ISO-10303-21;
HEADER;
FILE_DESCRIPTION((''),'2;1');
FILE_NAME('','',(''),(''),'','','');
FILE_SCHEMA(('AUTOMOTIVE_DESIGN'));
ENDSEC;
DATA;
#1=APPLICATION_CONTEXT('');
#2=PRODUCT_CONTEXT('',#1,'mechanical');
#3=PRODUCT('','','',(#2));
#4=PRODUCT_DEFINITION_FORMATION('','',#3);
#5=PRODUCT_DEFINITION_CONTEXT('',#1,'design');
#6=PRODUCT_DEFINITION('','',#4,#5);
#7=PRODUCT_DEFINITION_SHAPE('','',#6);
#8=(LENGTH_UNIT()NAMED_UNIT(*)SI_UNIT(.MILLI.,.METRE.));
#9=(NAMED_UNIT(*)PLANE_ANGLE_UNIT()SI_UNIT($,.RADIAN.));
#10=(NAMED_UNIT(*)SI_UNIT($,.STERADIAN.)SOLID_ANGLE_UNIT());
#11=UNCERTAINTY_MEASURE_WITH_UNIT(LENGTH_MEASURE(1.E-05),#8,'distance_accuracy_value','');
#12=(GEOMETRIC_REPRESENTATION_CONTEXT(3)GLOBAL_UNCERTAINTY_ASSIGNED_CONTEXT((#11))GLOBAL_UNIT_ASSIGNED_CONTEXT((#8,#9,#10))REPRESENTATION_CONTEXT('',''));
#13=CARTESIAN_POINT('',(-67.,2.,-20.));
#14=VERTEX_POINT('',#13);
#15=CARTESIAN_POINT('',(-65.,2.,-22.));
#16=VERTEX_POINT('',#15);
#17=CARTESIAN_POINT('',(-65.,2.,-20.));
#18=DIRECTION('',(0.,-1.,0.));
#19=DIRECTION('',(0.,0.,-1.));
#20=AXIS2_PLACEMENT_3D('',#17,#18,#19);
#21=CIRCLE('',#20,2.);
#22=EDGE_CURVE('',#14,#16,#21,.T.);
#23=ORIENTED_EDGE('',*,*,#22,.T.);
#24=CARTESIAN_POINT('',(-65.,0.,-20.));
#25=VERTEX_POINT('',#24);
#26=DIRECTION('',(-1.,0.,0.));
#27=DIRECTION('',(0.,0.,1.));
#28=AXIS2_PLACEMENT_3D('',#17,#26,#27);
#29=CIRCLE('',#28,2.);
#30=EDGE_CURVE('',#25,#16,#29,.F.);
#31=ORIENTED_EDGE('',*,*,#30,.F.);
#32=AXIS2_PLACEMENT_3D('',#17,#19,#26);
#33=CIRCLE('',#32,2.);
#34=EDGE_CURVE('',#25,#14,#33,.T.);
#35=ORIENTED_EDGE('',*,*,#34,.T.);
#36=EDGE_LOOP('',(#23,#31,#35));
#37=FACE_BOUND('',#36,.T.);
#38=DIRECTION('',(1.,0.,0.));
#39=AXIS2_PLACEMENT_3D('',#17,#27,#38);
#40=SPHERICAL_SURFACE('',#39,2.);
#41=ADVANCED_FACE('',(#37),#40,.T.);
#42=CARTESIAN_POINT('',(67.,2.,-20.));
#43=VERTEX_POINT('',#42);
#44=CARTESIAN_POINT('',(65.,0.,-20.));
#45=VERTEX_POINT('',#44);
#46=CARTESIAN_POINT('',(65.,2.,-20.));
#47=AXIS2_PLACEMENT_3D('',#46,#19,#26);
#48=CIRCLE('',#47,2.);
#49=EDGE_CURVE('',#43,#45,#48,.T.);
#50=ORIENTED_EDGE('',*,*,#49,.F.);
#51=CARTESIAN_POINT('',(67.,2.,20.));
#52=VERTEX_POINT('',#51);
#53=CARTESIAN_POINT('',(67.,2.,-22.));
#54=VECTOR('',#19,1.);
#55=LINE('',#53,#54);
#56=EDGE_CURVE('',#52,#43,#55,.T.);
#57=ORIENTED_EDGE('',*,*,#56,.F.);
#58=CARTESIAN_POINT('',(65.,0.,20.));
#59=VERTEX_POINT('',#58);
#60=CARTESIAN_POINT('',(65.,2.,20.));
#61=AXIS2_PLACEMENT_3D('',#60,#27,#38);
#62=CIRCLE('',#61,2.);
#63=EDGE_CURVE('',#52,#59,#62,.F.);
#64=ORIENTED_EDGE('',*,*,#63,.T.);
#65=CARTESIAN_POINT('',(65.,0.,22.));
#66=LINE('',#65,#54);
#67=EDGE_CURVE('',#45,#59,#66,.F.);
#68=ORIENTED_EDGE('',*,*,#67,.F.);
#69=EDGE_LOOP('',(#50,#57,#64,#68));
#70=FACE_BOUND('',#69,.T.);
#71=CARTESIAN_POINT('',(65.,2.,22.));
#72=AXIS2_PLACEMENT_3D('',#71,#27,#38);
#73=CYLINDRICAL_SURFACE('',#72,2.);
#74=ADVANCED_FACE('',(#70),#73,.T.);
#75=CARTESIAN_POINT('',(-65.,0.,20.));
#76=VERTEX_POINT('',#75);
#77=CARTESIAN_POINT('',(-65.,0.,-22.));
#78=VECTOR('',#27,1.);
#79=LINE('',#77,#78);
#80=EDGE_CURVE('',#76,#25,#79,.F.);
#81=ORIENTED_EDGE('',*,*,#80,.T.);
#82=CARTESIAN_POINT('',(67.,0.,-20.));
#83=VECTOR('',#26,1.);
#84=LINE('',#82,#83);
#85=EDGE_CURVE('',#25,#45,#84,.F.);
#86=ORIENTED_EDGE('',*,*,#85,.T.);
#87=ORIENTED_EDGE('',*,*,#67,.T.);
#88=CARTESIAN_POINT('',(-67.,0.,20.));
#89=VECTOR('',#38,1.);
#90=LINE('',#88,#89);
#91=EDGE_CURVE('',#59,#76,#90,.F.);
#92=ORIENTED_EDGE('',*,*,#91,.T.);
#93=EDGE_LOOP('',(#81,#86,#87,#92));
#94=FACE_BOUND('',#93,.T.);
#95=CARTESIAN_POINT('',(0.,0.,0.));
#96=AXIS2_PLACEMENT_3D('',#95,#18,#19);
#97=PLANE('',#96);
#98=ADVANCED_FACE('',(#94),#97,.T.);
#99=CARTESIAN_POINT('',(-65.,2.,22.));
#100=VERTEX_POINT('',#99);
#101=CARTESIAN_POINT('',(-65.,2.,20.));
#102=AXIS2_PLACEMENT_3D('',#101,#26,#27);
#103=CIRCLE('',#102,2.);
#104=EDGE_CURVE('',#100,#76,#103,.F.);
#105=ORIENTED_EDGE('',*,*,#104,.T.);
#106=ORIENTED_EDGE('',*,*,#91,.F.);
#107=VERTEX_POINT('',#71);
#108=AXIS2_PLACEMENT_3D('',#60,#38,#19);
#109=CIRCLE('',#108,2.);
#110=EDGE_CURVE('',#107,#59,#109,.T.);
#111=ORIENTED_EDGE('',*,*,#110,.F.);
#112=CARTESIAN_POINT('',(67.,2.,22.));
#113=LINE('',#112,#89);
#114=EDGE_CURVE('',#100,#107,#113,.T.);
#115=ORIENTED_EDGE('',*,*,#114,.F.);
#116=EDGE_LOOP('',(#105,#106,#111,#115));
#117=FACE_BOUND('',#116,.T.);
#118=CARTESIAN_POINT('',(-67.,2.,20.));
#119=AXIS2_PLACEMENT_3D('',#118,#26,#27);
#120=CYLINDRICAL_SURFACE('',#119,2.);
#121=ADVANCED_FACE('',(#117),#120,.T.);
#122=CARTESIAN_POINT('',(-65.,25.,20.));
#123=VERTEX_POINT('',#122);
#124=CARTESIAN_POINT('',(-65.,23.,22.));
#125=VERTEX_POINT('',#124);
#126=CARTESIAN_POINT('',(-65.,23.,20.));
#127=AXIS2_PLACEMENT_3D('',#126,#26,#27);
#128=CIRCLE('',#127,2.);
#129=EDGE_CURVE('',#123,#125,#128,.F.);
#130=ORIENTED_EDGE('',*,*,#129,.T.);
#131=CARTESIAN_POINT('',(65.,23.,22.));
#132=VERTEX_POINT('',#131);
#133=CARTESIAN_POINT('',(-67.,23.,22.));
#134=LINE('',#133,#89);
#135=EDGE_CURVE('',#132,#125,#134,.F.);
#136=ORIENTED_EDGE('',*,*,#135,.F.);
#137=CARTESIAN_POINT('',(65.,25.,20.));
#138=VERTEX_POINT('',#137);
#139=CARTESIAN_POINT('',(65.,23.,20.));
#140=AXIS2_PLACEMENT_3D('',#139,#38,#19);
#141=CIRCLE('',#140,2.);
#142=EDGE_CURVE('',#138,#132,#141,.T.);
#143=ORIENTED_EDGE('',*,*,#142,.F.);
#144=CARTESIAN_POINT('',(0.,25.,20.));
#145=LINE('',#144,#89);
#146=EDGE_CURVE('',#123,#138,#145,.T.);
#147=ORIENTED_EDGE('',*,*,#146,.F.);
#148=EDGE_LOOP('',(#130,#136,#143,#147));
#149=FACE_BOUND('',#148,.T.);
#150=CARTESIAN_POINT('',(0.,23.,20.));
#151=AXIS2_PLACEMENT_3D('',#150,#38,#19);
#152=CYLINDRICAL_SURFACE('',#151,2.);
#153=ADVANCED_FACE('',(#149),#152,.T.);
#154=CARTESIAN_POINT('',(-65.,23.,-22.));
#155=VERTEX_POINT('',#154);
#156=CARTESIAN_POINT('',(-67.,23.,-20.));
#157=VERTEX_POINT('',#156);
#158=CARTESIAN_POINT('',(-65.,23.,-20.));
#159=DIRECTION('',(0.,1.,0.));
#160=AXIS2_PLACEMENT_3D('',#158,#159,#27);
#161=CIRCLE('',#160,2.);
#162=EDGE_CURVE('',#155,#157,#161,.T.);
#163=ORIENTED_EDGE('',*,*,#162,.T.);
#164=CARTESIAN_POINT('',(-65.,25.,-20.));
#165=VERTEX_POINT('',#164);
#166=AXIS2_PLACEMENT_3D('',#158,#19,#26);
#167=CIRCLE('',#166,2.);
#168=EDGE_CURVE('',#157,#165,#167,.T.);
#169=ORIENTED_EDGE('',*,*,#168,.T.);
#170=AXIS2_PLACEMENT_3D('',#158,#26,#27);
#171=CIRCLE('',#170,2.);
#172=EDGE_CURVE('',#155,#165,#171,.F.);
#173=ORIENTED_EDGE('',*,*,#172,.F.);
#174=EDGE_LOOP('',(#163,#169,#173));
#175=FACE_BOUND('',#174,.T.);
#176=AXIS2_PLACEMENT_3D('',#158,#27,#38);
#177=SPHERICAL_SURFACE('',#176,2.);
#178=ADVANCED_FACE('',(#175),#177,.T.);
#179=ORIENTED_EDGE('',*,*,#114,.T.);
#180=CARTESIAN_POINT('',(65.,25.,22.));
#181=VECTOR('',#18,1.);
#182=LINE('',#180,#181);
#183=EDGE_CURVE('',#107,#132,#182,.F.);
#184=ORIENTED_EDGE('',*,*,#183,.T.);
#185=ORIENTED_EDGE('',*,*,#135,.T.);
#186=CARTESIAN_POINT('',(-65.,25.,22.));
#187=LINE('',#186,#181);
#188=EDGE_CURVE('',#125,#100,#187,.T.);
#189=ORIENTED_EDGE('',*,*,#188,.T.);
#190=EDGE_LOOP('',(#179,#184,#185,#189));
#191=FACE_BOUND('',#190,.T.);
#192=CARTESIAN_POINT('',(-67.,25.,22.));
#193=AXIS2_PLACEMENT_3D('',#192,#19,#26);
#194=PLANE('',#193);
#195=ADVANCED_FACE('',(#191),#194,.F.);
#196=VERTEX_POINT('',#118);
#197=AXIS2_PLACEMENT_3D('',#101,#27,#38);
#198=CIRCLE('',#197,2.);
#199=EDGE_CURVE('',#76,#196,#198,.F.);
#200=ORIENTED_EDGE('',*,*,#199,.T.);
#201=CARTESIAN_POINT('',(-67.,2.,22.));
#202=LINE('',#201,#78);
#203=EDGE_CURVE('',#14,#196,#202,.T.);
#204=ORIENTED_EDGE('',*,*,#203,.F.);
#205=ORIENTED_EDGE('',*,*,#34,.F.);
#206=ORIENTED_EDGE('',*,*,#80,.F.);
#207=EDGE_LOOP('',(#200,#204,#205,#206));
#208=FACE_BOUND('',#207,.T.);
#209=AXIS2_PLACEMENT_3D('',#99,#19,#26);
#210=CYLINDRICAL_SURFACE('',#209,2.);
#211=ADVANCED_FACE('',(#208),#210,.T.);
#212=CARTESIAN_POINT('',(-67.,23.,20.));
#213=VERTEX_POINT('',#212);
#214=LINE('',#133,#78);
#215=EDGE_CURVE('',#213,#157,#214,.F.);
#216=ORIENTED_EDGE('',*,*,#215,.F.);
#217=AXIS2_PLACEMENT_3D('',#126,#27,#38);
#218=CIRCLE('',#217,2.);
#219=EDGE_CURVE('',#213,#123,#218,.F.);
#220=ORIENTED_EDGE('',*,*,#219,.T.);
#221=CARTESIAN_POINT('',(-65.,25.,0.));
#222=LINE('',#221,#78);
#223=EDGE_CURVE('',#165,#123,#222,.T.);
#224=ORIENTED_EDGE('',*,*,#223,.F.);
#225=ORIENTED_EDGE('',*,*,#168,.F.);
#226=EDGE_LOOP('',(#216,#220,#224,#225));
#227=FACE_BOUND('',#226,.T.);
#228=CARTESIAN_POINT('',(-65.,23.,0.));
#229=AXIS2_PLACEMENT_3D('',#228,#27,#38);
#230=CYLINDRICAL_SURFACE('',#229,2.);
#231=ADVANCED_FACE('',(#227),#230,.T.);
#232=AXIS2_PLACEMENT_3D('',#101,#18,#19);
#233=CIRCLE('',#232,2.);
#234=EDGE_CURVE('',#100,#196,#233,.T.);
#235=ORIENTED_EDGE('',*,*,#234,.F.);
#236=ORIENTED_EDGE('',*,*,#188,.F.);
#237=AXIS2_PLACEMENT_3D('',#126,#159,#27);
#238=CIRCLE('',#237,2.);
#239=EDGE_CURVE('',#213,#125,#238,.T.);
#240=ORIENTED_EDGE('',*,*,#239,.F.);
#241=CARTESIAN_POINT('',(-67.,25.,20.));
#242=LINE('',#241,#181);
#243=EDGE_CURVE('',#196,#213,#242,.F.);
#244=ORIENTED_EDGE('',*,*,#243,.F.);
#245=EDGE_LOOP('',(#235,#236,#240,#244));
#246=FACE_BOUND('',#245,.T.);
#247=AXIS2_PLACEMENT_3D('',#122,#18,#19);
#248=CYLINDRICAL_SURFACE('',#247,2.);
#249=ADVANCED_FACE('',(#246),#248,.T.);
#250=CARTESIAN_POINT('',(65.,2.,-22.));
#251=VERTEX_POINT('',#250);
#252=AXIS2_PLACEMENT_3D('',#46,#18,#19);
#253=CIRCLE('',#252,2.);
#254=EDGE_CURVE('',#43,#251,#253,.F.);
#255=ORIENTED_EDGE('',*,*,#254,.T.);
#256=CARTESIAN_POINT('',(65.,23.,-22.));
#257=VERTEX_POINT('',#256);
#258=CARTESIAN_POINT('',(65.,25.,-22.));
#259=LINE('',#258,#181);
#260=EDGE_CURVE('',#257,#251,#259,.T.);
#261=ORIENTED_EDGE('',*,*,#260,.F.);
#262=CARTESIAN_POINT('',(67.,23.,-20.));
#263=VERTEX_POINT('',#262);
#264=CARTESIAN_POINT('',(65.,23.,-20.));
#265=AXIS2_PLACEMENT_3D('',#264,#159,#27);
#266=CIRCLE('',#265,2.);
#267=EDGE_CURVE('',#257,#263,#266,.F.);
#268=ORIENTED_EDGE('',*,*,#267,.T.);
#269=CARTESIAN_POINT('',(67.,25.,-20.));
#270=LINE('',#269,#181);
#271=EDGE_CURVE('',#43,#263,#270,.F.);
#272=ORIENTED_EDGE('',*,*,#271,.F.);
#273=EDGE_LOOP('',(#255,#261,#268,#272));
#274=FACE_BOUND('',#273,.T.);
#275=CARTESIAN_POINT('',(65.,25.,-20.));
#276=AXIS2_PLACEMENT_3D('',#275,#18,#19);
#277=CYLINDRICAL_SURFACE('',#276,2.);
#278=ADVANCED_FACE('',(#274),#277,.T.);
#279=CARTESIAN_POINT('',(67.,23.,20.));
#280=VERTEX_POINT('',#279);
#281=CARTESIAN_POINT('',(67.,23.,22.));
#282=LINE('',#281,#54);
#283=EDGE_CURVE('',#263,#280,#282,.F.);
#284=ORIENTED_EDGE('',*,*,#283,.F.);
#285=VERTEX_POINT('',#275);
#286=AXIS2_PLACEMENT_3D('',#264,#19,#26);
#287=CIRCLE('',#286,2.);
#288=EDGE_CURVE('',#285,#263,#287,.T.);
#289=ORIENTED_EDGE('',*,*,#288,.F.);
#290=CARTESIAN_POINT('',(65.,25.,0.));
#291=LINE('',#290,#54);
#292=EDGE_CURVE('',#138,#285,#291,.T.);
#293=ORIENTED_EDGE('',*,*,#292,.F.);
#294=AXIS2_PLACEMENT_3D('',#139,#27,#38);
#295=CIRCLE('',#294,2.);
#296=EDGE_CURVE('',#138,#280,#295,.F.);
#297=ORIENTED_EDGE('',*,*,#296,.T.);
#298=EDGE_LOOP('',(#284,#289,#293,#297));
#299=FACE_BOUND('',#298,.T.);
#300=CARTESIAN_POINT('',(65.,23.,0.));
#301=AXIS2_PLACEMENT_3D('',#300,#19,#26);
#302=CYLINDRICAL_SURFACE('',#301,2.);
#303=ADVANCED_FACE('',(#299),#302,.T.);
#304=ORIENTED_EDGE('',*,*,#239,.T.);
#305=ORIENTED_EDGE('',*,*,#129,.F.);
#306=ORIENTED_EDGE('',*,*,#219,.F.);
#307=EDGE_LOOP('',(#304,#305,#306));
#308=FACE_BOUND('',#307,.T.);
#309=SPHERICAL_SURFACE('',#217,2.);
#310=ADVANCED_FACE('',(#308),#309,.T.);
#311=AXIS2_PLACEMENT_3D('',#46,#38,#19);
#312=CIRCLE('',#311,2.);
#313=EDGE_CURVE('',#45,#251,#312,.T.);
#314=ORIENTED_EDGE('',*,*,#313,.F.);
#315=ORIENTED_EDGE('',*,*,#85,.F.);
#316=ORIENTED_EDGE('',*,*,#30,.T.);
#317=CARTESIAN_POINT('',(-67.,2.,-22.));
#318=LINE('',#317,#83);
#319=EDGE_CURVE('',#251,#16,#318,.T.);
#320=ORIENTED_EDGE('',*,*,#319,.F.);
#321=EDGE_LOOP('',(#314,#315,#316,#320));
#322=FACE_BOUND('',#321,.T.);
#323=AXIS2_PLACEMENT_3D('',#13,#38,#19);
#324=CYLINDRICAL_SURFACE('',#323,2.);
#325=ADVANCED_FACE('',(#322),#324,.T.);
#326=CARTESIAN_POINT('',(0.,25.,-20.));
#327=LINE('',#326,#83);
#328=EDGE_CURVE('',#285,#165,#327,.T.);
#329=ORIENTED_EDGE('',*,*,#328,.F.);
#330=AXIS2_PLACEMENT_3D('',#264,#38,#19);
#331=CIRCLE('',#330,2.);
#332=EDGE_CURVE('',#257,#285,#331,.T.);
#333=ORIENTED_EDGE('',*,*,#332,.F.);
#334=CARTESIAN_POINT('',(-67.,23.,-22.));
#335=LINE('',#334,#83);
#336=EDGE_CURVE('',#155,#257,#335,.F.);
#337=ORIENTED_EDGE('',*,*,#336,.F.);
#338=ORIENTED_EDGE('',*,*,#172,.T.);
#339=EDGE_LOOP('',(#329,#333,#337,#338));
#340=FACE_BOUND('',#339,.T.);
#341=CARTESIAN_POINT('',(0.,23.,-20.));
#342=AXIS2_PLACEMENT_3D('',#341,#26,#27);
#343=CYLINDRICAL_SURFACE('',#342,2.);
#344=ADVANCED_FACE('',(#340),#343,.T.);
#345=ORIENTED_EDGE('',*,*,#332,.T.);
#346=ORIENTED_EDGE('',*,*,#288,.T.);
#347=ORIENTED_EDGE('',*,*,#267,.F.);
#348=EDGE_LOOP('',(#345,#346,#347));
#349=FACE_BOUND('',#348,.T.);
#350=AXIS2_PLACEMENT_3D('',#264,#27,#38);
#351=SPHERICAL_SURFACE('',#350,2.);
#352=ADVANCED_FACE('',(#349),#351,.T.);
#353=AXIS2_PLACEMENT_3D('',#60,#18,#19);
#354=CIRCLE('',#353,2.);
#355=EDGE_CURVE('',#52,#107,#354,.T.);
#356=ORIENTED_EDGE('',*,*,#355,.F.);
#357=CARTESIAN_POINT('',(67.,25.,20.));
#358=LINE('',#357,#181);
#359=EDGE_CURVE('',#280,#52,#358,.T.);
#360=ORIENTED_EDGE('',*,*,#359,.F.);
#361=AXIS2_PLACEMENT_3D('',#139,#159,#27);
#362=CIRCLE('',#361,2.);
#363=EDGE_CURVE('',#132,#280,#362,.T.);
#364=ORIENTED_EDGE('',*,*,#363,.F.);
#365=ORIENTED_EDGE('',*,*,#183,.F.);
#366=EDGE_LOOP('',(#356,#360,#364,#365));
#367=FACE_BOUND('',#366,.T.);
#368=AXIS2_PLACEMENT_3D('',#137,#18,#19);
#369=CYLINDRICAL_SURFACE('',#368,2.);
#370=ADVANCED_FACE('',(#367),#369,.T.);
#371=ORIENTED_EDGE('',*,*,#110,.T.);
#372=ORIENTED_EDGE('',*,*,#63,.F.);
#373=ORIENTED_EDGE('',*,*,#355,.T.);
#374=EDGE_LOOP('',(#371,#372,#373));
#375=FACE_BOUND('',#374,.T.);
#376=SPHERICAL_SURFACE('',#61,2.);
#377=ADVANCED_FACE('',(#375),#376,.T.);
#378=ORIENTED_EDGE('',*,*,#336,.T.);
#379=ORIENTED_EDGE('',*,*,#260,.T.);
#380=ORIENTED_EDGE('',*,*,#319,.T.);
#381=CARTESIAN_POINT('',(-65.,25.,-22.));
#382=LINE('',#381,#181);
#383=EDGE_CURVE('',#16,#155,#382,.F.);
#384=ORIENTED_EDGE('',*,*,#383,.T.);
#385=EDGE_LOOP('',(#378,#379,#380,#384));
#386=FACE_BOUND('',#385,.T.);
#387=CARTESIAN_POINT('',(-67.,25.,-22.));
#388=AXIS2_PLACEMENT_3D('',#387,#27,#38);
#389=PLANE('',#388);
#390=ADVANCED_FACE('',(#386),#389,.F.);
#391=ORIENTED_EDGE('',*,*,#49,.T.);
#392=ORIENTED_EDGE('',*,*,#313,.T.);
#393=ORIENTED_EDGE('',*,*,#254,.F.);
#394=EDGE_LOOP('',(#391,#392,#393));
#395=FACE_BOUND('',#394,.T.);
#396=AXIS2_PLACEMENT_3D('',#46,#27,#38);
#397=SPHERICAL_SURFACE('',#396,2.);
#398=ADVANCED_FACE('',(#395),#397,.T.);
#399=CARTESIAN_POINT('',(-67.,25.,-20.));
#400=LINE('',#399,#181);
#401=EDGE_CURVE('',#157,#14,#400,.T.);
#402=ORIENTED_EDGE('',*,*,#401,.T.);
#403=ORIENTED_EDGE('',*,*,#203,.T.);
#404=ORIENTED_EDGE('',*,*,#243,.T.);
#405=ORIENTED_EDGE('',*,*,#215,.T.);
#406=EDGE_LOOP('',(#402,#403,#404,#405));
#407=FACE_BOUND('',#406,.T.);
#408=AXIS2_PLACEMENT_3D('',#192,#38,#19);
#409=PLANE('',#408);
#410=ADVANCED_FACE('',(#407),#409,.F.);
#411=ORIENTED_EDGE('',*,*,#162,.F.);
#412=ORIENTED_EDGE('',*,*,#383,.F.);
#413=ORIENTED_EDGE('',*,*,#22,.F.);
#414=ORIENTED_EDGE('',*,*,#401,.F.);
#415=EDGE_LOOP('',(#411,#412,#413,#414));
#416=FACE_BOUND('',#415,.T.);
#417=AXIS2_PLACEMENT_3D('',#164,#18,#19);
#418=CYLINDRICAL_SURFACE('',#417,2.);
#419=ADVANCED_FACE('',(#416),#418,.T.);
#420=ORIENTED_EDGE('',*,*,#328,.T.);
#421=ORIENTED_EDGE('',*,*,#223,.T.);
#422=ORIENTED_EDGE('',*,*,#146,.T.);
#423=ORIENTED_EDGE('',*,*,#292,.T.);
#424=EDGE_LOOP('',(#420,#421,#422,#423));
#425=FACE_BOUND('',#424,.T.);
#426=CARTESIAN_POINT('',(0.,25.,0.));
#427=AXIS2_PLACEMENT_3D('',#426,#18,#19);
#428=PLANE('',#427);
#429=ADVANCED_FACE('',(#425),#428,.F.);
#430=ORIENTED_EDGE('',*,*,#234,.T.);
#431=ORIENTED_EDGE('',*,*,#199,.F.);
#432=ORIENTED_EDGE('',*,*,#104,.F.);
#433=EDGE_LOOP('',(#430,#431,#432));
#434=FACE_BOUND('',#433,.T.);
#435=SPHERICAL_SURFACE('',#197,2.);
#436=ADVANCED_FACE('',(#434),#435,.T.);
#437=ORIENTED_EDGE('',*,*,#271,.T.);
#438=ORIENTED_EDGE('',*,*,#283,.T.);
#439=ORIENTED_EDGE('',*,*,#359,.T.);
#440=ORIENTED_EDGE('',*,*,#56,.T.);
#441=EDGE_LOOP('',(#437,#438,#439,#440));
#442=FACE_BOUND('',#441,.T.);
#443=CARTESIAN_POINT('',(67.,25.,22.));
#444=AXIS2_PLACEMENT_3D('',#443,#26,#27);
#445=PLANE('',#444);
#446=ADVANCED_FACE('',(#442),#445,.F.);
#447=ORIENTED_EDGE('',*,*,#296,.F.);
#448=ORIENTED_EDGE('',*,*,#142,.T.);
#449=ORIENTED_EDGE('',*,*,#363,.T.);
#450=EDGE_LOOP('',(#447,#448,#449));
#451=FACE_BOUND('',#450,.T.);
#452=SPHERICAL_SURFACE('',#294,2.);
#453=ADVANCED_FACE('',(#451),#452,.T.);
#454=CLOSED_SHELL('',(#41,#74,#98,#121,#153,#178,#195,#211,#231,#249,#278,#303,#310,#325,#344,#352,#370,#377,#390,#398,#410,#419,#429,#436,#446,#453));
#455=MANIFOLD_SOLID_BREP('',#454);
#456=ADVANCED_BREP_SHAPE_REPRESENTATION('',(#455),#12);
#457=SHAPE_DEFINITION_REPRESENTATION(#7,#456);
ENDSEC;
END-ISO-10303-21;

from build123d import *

# Parameters (mm, degrees)
SKETCH1_W           = 134
SKETCH1_H           = 44
BOSS_EXTRUDE1_DEPTH = 25
FILLET1_R           = 2


with BuildPart() as part:
    # Sketch1 → Boss-Extrude1 (new body)
    with BuildSketch(Plane(origin=(0, 0, 0), x_dir=(1, 0, 0), z_dir=(0, 1, 0))):
        Rectangle(SKETCH1_W, SKETCH1_H)
    extrude(amount=BOSS_EXTRUDE1_DEPTH)

    # Fillet1
    fillet1_edges = [part.edges().sort_by_distance(p)[0] for p in [
        (-67, 25, 0),
        (0, 25, 22),
        (67, 25, 0),
        (0, 0, 22),
        (-67, 0, 0),
        (0, 0, -22),
        (67, 0, 0),
        (0, 25, -22),
        (67, 12.5, 22),
        (-67, 12.5, 22),
        (-67, 12.5, -22),
        (67, 12.5, -22),
    ]]
    fillet(fillet1_edges, radius=FILLET1_R)


solid = part.part
